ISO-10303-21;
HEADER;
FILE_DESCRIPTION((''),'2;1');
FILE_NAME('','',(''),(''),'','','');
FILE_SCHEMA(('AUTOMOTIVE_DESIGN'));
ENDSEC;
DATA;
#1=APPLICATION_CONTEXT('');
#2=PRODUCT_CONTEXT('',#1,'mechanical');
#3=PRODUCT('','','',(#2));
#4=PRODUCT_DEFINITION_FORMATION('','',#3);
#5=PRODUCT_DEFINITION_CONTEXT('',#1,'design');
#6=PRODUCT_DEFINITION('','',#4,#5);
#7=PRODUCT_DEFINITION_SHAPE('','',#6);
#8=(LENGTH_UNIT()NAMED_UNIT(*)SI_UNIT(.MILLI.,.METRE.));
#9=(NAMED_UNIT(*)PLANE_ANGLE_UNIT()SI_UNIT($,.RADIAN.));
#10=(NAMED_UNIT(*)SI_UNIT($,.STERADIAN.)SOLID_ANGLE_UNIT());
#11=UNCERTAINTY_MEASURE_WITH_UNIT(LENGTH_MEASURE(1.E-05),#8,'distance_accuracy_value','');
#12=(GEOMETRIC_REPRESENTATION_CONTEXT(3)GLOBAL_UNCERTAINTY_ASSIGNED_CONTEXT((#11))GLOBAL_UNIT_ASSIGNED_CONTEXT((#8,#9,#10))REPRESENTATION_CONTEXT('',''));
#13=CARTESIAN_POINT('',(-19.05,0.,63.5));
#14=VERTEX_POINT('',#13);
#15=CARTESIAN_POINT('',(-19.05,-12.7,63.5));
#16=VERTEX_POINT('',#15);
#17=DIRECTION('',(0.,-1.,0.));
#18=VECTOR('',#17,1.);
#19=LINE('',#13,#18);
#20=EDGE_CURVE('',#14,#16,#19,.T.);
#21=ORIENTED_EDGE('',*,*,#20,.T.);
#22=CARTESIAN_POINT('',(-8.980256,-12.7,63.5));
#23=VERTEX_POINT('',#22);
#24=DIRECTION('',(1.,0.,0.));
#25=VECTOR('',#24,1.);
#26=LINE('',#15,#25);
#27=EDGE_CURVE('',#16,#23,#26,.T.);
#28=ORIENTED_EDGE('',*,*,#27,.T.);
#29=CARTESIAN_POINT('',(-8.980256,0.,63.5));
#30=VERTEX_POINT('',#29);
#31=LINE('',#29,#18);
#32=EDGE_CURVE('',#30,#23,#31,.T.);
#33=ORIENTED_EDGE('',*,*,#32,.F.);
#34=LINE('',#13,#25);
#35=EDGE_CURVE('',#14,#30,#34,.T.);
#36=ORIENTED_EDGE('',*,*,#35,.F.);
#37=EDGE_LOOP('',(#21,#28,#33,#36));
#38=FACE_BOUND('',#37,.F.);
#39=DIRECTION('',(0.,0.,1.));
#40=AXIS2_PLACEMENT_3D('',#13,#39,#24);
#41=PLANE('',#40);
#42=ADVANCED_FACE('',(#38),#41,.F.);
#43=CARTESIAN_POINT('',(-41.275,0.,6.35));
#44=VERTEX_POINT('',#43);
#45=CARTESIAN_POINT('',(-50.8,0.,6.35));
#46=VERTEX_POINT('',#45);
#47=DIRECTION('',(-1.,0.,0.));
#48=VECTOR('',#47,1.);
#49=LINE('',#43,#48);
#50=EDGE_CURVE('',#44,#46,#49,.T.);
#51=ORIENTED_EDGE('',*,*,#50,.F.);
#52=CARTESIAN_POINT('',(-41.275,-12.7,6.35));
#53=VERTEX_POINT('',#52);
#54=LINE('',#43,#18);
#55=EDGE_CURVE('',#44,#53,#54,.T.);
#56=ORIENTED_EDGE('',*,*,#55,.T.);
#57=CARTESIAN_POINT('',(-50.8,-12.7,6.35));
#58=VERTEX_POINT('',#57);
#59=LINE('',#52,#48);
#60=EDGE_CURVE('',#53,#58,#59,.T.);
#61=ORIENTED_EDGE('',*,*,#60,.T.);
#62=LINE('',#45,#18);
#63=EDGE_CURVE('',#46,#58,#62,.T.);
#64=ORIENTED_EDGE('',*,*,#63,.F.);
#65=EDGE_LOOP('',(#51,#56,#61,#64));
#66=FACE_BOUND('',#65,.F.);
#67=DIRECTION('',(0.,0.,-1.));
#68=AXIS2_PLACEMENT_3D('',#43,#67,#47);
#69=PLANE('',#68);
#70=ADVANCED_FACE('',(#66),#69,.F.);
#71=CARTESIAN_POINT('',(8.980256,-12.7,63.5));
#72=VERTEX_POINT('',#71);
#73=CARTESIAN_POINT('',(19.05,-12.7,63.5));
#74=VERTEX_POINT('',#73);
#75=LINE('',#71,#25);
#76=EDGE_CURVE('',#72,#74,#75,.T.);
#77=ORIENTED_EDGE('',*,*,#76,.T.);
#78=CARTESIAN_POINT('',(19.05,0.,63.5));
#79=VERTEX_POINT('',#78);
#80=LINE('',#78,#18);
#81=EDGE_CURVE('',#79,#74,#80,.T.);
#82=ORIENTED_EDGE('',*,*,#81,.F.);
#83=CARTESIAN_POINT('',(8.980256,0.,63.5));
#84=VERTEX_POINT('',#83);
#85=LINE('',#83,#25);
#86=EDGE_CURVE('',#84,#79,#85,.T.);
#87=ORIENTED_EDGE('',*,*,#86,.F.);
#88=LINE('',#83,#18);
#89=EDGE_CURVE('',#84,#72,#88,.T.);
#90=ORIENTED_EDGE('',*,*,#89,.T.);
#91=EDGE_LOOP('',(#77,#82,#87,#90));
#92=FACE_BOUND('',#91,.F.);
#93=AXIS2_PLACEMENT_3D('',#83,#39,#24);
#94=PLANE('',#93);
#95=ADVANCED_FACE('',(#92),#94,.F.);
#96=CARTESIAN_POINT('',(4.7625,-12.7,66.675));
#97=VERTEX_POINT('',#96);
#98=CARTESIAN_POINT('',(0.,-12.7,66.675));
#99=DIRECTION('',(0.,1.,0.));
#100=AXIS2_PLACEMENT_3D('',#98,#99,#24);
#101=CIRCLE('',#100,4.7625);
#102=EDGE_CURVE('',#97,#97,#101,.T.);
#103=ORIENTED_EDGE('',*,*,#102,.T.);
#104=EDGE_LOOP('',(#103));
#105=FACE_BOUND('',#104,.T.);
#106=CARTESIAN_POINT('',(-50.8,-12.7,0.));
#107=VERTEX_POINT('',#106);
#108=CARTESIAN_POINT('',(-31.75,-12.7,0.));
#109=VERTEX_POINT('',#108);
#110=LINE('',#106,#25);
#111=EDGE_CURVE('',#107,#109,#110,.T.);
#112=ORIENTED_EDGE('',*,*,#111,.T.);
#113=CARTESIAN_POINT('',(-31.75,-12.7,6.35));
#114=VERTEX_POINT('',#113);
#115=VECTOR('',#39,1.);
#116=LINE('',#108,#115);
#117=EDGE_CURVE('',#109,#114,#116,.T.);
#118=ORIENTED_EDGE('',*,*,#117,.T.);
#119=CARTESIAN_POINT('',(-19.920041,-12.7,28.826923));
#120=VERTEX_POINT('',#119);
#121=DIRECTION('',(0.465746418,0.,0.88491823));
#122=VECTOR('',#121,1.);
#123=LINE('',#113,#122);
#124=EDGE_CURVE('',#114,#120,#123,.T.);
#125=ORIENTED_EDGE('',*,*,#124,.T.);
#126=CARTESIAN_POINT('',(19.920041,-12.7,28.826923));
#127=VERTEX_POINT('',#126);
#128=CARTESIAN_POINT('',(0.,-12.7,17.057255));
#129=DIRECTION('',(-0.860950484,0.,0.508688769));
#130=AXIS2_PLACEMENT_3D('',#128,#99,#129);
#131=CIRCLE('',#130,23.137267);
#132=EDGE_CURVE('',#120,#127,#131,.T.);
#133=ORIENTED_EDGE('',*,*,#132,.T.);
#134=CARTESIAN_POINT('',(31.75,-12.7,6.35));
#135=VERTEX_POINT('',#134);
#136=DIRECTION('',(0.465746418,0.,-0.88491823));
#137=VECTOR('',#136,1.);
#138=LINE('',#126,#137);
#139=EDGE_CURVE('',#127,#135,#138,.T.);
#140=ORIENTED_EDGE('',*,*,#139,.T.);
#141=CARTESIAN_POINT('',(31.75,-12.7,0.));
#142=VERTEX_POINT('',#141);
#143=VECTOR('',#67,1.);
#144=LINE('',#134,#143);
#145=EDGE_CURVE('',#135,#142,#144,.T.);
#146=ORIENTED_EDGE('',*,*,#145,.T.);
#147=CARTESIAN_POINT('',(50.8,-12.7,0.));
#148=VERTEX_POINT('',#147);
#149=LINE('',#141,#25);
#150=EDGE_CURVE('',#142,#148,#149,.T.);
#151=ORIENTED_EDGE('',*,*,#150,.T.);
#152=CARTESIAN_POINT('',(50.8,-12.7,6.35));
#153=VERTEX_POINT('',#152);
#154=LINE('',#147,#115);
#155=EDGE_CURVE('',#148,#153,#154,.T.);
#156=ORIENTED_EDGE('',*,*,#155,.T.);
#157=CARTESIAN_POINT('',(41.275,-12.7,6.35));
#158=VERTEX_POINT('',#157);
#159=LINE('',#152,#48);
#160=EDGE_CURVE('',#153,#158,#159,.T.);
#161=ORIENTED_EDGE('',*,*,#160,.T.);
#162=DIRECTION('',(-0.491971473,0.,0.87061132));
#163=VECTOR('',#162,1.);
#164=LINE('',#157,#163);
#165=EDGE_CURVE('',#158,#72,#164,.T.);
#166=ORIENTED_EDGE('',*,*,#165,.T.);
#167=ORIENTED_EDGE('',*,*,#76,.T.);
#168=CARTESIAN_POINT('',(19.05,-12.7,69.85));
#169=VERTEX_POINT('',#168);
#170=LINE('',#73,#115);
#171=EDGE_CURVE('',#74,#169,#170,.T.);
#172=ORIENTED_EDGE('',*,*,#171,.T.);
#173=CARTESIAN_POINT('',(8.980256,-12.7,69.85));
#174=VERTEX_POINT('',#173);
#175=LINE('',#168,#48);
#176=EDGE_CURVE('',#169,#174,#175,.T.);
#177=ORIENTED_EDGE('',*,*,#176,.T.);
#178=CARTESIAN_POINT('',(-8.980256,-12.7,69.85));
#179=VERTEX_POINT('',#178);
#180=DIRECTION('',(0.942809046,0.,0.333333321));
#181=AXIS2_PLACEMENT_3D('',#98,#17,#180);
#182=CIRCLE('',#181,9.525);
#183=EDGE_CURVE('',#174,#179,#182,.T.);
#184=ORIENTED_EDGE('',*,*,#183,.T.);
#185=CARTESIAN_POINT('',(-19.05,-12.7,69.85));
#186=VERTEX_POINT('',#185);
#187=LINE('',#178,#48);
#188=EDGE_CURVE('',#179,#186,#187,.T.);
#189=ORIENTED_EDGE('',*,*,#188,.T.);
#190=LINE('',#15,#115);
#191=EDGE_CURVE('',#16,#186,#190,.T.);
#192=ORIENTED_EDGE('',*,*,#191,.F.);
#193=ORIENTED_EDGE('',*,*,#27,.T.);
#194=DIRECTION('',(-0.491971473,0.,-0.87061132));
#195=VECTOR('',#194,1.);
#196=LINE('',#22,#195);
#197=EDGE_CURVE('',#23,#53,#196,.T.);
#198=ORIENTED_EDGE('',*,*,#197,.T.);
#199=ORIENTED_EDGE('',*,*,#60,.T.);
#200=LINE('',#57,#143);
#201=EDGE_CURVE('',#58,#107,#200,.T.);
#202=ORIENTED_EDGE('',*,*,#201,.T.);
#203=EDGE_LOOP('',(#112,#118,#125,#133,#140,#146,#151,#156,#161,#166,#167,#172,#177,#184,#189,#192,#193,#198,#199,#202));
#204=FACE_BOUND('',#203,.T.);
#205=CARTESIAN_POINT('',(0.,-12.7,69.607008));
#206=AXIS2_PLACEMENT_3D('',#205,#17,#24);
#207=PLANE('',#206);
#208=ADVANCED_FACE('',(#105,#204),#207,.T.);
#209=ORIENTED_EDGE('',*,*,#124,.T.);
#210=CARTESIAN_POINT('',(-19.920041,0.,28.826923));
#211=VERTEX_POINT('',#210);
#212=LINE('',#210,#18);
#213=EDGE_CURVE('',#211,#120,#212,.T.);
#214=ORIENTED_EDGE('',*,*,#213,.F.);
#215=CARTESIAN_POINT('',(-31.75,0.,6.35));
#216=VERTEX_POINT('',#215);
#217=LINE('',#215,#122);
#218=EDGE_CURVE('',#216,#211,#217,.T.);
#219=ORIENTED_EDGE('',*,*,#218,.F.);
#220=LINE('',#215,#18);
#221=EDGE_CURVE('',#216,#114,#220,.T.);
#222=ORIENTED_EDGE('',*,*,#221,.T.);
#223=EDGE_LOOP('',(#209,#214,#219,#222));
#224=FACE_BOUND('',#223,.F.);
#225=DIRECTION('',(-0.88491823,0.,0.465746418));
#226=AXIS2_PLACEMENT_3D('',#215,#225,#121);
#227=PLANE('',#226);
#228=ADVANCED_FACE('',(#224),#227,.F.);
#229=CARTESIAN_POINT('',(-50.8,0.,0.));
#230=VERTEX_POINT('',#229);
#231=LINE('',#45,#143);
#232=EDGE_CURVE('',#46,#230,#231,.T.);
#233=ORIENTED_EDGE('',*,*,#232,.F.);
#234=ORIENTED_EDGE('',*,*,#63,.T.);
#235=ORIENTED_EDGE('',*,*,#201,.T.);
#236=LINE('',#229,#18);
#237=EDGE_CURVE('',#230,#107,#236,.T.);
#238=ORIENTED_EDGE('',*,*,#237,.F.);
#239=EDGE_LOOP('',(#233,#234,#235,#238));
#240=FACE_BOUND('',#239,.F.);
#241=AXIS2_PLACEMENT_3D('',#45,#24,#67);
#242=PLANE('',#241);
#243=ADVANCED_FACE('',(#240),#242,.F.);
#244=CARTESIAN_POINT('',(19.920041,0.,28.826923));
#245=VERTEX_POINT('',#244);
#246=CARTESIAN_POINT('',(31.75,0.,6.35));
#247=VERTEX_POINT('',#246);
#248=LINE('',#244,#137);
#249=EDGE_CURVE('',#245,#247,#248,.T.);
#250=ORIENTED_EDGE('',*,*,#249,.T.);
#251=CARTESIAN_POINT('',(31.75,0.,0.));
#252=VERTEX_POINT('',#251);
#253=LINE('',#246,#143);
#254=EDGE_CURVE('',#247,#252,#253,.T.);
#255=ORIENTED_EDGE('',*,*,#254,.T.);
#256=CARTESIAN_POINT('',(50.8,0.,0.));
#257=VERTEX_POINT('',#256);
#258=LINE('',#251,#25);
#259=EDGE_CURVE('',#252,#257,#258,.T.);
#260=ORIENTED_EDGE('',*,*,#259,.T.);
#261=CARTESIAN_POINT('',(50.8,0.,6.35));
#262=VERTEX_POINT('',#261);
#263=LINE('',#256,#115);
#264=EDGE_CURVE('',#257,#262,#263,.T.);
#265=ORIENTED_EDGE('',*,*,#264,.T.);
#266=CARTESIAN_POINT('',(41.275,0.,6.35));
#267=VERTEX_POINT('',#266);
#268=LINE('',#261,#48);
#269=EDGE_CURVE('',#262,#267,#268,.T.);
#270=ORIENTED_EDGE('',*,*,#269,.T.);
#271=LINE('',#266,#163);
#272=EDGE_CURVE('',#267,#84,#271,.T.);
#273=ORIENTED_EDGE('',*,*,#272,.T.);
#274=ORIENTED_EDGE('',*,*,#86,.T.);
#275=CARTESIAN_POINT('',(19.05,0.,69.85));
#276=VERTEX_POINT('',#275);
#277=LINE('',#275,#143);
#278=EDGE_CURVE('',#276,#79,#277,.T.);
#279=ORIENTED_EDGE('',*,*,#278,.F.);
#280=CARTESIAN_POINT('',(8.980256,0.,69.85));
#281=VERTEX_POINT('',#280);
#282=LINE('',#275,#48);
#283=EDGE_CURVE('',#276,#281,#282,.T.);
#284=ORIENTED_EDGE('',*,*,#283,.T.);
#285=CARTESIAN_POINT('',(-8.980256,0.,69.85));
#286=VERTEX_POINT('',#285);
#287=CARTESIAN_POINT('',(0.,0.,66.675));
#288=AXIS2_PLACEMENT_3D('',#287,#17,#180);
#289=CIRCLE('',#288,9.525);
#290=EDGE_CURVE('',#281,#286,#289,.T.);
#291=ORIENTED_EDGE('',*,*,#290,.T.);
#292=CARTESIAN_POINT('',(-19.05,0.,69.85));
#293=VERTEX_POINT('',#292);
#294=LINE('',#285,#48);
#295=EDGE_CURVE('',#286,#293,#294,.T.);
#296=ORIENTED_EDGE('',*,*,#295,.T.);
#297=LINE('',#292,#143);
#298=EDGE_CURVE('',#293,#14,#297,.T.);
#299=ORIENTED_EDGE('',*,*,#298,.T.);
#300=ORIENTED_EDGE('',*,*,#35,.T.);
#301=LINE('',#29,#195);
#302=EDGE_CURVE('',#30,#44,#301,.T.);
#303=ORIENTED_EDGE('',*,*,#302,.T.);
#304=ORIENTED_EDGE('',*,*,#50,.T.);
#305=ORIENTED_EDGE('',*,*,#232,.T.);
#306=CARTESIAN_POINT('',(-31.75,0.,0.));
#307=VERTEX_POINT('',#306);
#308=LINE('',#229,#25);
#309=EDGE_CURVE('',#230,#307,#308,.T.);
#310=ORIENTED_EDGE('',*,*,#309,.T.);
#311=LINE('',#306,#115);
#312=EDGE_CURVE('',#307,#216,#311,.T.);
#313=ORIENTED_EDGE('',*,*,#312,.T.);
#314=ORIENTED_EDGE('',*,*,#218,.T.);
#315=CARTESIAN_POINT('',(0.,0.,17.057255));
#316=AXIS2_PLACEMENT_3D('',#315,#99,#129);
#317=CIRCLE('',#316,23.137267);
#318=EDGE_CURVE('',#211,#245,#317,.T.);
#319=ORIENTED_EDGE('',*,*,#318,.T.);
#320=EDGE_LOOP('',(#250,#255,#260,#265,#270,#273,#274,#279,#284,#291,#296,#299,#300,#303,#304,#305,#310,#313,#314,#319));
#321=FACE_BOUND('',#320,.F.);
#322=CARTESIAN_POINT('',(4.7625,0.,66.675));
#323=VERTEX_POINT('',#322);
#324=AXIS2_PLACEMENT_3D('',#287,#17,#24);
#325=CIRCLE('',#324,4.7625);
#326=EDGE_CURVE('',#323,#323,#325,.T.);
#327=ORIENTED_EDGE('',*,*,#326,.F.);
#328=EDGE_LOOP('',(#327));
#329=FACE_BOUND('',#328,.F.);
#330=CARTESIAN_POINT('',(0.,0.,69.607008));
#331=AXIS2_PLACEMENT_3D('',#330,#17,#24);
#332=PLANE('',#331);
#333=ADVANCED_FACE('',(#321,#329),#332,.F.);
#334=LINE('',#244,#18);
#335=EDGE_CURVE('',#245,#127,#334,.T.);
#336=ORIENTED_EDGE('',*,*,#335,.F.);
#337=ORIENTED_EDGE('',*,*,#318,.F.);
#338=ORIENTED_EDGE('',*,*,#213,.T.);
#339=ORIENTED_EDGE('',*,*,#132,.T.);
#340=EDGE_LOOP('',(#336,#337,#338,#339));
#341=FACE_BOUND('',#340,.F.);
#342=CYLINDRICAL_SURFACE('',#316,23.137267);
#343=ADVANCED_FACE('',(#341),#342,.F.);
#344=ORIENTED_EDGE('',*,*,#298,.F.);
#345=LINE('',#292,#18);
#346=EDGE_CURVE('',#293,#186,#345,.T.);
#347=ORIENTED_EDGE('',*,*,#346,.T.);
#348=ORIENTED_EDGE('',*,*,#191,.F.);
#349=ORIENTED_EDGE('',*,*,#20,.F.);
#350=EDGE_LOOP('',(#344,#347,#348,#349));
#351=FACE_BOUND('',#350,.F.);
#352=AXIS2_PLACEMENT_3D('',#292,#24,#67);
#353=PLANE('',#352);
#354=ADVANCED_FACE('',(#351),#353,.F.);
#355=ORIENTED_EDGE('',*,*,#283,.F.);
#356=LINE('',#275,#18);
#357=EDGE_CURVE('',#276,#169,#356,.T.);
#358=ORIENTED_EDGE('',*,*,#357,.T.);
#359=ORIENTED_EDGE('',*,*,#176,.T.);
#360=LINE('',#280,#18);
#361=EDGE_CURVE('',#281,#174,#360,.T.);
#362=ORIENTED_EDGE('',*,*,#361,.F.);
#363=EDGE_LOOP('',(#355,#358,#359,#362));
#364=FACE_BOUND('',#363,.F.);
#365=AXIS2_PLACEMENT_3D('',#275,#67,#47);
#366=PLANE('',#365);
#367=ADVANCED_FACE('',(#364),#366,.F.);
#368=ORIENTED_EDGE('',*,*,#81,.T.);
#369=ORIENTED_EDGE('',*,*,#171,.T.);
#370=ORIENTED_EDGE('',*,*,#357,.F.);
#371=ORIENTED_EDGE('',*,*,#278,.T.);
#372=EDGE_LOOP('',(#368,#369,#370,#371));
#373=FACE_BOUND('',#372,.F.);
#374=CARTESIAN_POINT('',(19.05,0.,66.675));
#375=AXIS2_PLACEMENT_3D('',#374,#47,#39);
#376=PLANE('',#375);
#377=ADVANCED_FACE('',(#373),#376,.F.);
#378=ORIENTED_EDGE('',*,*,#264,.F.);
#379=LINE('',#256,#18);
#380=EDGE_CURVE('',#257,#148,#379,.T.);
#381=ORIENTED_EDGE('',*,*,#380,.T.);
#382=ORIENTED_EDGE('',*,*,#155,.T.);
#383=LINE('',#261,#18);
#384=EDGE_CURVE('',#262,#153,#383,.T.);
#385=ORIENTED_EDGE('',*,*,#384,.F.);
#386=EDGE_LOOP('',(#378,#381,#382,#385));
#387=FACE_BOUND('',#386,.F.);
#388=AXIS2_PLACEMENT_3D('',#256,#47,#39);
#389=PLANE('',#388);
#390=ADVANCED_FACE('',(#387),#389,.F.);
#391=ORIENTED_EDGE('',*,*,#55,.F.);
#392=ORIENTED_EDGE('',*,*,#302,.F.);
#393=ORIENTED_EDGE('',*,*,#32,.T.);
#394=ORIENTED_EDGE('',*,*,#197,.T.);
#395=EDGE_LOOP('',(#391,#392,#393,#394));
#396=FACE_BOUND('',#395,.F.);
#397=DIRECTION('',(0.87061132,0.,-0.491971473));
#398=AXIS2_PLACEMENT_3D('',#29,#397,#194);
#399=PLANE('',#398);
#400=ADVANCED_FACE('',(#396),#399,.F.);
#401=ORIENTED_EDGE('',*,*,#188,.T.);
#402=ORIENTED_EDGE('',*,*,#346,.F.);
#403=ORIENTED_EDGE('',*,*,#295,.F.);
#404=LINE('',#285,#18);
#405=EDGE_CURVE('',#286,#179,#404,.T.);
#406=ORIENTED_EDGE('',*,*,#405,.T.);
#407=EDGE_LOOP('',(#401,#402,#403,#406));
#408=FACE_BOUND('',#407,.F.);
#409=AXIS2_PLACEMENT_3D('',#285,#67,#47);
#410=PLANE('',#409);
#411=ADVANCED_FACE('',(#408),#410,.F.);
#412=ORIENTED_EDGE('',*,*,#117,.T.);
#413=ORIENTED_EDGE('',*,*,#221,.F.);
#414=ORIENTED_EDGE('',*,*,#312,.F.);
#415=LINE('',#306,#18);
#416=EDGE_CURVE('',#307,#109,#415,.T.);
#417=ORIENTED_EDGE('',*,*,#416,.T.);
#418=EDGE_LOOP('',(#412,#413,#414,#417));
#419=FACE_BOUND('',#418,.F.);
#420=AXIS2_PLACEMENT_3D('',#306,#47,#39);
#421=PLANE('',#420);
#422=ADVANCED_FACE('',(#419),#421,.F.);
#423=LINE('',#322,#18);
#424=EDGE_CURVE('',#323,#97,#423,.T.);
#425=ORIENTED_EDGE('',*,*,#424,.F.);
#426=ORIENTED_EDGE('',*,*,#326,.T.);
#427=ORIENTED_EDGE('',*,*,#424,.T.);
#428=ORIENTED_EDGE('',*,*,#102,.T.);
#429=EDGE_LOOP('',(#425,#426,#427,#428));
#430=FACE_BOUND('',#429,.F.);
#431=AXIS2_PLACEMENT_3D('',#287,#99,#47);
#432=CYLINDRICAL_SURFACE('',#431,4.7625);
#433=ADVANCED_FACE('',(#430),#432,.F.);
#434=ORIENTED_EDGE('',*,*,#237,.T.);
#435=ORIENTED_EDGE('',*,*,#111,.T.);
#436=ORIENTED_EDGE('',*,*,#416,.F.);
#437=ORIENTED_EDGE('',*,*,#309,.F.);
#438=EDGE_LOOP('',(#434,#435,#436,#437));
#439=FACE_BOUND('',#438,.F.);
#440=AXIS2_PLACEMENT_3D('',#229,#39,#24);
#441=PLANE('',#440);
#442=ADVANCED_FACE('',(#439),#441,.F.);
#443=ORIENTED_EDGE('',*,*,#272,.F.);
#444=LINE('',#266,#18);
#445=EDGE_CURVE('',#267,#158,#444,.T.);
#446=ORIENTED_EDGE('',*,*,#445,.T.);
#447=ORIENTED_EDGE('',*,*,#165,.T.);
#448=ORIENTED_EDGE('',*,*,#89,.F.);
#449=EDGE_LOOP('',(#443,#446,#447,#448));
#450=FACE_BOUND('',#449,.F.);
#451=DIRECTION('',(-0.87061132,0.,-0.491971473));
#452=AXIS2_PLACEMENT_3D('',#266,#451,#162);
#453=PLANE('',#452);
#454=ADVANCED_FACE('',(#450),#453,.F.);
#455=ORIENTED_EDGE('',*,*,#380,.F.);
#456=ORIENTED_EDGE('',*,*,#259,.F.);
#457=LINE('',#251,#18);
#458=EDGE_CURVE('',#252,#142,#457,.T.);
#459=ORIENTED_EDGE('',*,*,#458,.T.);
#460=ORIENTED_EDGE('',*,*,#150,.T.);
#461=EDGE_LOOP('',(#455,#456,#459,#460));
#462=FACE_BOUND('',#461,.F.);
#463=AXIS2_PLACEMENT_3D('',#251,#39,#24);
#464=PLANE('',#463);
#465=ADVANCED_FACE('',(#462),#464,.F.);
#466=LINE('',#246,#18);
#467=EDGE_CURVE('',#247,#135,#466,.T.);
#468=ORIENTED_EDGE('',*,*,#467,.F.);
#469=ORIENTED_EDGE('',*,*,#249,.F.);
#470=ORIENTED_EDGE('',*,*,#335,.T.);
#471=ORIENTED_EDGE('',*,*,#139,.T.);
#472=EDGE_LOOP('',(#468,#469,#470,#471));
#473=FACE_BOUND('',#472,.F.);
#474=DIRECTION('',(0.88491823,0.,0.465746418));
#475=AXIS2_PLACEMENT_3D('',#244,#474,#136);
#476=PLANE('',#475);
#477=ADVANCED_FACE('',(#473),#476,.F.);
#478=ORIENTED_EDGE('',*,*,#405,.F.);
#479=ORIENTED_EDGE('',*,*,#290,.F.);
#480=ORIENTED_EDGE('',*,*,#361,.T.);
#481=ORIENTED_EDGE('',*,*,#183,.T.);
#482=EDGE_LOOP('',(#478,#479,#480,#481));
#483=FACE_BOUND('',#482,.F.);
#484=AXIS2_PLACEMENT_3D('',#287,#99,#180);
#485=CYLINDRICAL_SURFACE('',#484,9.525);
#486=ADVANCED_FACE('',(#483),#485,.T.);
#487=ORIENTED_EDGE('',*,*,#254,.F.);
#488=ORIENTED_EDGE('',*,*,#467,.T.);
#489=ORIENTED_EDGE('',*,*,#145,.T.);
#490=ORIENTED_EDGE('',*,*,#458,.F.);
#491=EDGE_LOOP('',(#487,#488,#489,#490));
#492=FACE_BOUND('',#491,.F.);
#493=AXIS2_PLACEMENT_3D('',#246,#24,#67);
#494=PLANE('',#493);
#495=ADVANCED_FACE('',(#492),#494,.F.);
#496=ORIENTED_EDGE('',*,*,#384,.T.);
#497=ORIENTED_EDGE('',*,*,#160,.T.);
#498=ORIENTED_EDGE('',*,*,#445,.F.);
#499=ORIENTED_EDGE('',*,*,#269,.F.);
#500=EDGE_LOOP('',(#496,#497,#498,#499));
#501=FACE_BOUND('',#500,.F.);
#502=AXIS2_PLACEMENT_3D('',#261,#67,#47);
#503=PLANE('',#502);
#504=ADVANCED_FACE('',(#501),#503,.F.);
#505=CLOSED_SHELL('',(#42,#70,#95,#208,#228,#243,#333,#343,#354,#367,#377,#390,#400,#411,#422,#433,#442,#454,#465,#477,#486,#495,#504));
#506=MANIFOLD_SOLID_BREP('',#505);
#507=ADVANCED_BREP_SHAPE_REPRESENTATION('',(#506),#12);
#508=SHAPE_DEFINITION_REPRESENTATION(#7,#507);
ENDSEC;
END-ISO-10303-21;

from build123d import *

# Parameters (mm, degrees)
F1_DEPTH = 12.7
F2_DEPTH = 12.7


with BuildPart() as f1:
    # F0 (on Front) → F1 (new body)
    with BuildSketch(Plane.XZ):
        with BuildLine():
            Line((-50.8, 6.35), (-50.8, 0))
            Line((-50.8, 0), (-31.75, 0))
            Line((-31.75, 0), (-31.75, 6.35))
            Line((-31.75, 6.35), (-19.920041, 28.826923))
            ThreePointArc((-19.920041, 28.826923), (0, 40.194522), (19.920041, 28.826923))
            Line((19.920041, 28.826923), (31.75, 6.35))
            Line((31.75, 6.35), (31.75, 0))
            Line((31.75, 0), (50.8, 0))
            Line((50.8, 0), (50.8, 6.35))
            Line((50.8, 6.35), (41.275, 6.35))
            Line((41.275, 6.35), (8.980256, 63.5))
            Line((8.980256, 63.5), (19.05, 63.5))
            Line((19.05, 63.5), (19.05, 66.675))
            Line((19.05, 66.675), (9.525, 66.675))
            Line((9.525, 66.675), (4.7625, 66.675))
            ThreePointArc((4.7625, 66.675), (0, 61.9125), (-4.7625, 66.675))
            Line((-4.7625, 66.675), (-9.525, 66.675))
            Line((-9.525, 66.675), (-19.05, 66.675))
            Line((-19.05, 66.675), (-19.05, 63.5))
            Line((-19.05, 63.5), (-8.980256, 63.5))
            Line((-8.980256, 63.5), (-41.275, 6.35))
            Line((-41.275, 6.35), (-50.8, 6.35))
        make_face()
    extrude(amount=F1_DEPTH)

    # F0 (on Front) → F2 (join)
    with BuildSketch(Plane.XZ):
        with BuildLine():
            Line((-19.05, 69.85), (-19.05, 66.675))
            Line((-19.05, 66.675), (-9.525, 66.675))
            Line((-9.525, 66.675), (-4.7625, 66.675))
            ThreePointArc((-4.7625, 66.675), (0, 71.4375), (4.7625, 66.675))
            Line((4.7625, 66.675), (9.525, 66.675))
            Line((9.525, 66.675), (19.05, 66.675))
            Line((19.05, 66.675), (19.05, 69.85))
            Line((19.05, 69.85), (8.980256, 69.85))
            ThreePointArc((8.980256, 69.85), (0, 76.2), (-8.980256, 69.85))
            Line((-8.980256, 69.85), (-19.05, 69.85))
        make_face()
    extrude(amount=F2_DEPTH)


solid = f1.part
